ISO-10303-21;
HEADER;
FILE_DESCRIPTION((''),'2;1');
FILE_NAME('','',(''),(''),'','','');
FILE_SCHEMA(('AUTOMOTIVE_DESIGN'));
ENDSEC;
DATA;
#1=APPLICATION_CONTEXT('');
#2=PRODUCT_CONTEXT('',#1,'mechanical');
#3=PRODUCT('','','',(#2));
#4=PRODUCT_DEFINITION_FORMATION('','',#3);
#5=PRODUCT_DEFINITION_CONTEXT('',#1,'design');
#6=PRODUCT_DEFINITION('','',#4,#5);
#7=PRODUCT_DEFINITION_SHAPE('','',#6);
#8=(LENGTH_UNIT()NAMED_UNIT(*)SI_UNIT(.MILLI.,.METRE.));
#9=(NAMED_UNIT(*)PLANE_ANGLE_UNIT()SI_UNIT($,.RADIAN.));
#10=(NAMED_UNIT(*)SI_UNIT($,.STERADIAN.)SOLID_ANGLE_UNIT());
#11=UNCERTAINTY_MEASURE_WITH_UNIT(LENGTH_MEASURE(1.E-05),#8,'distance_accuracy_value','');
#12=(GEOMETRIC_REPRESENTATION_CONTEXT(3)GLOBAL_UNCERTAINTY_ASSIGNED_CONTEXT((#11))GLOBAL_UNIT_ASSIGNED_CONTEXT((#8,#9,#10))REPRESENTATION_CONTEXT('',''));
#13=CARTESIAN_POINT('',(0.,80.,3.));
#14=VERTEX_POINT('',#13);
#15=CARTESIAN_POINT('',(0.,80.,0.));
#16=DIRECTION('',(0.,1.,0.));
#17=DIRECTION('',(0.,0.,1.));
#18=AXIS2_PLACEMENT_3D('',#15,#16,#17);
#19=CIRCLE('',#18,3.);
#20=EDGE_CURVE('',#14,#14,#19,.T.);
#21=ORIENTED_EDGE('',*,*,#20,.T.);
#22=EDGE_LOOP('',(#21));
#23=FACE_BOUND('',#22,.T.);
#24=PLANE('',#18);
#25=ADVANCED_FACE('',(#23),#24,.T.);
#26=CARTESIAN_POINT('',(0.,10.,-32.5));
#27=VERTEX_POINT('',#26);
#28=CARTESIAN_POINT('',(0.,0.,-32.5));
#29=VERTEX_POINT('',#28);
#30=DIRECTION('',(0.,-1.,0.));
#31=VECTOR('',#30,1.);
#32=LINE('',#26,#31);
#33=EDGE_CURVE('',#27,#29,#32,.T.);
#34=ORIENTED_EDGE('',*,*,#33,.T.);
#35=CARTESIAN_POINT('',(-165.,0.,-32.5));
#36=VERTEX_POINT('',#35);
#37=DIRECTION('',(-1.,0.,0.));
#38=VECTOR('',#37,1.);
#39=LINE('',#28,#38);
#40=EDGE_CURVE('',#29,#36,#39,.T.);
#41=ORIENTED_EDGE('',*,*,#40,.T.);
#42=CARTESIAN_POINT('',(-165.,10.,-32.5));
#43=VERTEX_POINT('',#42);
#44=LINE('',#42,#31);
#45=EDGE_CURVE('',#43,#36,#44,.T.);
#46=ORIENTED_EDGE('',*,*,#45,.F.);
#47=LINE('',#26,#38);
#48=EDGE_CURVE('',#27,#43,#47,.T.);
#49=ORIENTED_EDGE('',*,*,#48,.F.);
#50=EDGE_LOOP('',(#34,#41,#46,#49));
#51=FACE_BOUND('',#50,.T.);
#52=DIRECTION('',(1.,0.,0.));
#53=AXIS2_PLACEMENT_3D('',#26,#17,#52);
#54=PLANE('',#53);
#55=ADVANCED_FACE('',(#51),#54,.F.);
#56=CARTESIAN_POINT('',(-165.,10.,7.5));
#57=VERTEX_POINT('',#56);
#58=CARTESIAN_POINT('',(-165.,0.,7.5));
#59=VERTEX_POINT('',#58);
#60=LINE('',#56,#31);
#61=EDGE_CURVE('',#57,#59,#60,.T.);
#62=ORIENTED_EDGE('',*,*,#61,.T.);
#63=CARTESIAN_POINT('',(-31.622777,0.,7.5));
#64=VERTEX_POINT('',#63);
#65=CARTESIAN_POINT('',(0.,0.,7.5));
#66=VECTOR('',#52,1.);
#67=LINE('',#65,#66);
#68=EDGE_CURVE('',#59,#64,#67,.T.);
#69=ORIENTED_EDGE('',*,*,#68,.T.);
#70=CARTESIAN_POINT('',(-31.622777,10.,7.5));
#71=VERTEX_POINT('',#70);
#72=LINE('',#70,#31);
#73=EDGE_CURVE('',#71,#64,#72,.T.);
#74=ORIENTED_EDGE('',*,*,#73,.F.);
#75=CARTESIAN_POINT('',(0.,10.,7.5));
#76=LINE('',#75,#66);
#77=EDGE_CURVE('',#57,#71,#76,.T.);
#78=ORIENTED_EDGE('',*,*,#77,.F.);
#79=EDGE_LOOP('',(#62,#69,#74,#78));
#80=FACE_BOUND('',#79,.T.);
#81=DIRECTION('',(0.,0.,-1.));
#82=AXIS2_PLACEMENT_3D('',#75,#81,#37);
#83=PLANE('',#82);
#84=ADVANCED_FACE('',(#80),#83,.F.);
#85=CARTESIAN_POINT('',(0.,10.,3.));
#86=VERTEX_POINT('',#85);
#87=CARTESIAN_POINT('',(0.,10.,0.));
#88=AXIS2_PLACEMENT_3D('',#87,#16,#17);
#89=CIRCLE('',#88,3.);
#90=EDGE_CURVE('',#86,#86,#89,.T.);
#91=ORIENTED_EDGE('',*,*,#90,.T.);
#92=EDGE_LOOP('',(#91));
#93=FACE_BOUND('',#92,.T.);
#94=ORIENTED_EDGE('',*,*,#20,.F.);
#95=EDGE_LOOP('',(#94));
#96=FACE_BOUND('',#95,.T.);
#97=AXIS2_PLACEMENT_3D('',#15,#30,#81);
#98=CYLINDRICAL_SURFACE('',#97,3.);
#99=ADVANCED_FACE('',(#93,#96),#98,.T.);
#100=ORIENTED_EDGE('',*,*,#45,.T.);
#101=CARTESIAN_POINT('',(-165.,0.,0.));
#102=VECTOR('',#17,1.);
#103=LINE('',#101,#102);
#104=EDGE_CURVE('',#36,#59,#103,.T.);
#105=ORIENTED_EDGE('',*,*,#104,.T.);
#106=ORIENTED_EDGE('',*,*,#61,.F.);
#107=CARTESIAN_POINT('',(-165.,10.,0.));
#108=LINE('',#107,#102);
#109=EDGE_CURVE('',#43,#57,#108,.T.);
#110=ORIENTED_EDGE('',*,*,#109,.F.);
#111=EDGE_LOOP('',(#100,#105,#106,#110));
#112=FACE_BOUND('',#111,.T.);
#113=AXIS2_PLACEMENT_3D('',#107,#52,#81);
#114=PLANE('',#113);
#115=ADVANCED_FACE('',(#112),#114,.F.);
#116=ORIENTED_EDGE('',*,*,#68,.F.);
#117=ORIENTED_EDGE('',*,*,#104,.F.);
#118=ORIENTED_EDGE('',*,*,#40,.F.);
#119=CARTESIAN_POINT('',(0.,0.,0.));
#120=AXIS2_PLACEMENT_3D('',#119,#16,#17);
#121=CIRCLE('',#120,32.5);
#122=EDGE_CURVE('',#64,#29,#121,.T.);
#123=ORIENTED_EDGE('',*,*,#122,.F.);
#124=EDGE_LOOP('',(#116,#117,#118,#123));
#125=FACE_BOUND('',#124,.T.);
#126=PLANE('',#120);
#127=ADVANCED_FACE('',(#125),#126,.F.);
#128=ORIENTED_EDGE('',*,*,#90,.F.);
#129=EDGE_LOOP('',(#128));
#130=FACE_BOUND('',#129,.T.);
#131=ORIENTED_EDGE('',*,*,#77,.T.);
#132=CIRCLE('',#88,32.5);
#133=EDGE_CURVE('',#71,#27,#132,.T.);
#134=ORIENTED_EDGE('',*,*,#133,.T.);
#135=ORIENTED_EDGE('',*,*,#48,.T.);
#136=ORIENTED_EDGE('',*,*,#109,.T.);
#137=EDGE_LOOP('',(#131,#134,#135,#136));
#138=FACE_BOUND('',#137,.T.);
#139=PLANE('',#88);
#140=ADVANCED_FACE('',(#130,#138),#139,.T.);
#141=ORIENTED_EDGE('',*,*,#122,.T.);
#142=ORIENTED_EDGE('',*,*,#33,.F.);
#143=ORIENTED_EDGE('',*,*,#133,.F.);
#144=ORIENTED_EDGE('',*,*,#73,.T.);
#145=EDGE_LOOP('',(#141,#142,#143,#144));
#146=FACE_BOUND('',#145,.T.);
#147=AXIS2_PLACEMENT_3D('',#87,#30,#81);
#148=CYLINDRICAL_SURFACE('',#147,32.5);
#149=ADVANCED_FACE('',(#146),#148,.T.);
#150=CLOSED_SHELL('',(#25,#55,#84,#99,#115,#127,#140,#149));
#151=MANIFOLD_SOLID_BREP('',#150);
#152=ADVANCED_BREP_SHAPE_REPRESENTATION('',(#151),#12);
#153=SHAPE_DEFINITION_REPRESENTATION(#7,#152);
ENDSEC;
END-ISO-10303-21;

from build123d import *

# Parameters (mm, degrees)
SKETCH1_R           = 32.5
BOSS_EXTRUDE1_DEPTH = 10
SKETCH2_R           = 3
BOSS_EXTRUDE2_DEPTH = 70


with BuildPart() as part:
    # Sketch1 → Boss-Extrude1 (new body)
    with BuildSketch(Plane(origin=(0, 0, 0), x_dir=(1, 0, 0), z_dir=(0, 1, 0))):
        with BuildLine():
            ThreePointArc((-31.622776602, -7.5), (-25.495097568, 20.155644371), (0, 32.5))
            Line((0, 32.5), (-165, 32.5))
            Line((-165, 32.5), (-165, -7.5))
            Line((-165, -7.5), (-31.622776602, -7.5))
        make_face()
        Circle(SKETCH1_R)
    extrude(amount=BOSS_EXTRUDE1_DEPTH)

    # Sketch2 → Boss-Extrude2 (add)
    with BuildSketch(Plane(origin=(0, 10, 0), x_dir=(1, 0, 0), z_dir=(0, 1, 0))):
        with Locations(Location((0, 0, 0), (0, 0, 270))):
            Circle(SKETCH2_R)
    extrude(amount=BOSS_EXTRUDE2_DEPTH)


solid = part.part
